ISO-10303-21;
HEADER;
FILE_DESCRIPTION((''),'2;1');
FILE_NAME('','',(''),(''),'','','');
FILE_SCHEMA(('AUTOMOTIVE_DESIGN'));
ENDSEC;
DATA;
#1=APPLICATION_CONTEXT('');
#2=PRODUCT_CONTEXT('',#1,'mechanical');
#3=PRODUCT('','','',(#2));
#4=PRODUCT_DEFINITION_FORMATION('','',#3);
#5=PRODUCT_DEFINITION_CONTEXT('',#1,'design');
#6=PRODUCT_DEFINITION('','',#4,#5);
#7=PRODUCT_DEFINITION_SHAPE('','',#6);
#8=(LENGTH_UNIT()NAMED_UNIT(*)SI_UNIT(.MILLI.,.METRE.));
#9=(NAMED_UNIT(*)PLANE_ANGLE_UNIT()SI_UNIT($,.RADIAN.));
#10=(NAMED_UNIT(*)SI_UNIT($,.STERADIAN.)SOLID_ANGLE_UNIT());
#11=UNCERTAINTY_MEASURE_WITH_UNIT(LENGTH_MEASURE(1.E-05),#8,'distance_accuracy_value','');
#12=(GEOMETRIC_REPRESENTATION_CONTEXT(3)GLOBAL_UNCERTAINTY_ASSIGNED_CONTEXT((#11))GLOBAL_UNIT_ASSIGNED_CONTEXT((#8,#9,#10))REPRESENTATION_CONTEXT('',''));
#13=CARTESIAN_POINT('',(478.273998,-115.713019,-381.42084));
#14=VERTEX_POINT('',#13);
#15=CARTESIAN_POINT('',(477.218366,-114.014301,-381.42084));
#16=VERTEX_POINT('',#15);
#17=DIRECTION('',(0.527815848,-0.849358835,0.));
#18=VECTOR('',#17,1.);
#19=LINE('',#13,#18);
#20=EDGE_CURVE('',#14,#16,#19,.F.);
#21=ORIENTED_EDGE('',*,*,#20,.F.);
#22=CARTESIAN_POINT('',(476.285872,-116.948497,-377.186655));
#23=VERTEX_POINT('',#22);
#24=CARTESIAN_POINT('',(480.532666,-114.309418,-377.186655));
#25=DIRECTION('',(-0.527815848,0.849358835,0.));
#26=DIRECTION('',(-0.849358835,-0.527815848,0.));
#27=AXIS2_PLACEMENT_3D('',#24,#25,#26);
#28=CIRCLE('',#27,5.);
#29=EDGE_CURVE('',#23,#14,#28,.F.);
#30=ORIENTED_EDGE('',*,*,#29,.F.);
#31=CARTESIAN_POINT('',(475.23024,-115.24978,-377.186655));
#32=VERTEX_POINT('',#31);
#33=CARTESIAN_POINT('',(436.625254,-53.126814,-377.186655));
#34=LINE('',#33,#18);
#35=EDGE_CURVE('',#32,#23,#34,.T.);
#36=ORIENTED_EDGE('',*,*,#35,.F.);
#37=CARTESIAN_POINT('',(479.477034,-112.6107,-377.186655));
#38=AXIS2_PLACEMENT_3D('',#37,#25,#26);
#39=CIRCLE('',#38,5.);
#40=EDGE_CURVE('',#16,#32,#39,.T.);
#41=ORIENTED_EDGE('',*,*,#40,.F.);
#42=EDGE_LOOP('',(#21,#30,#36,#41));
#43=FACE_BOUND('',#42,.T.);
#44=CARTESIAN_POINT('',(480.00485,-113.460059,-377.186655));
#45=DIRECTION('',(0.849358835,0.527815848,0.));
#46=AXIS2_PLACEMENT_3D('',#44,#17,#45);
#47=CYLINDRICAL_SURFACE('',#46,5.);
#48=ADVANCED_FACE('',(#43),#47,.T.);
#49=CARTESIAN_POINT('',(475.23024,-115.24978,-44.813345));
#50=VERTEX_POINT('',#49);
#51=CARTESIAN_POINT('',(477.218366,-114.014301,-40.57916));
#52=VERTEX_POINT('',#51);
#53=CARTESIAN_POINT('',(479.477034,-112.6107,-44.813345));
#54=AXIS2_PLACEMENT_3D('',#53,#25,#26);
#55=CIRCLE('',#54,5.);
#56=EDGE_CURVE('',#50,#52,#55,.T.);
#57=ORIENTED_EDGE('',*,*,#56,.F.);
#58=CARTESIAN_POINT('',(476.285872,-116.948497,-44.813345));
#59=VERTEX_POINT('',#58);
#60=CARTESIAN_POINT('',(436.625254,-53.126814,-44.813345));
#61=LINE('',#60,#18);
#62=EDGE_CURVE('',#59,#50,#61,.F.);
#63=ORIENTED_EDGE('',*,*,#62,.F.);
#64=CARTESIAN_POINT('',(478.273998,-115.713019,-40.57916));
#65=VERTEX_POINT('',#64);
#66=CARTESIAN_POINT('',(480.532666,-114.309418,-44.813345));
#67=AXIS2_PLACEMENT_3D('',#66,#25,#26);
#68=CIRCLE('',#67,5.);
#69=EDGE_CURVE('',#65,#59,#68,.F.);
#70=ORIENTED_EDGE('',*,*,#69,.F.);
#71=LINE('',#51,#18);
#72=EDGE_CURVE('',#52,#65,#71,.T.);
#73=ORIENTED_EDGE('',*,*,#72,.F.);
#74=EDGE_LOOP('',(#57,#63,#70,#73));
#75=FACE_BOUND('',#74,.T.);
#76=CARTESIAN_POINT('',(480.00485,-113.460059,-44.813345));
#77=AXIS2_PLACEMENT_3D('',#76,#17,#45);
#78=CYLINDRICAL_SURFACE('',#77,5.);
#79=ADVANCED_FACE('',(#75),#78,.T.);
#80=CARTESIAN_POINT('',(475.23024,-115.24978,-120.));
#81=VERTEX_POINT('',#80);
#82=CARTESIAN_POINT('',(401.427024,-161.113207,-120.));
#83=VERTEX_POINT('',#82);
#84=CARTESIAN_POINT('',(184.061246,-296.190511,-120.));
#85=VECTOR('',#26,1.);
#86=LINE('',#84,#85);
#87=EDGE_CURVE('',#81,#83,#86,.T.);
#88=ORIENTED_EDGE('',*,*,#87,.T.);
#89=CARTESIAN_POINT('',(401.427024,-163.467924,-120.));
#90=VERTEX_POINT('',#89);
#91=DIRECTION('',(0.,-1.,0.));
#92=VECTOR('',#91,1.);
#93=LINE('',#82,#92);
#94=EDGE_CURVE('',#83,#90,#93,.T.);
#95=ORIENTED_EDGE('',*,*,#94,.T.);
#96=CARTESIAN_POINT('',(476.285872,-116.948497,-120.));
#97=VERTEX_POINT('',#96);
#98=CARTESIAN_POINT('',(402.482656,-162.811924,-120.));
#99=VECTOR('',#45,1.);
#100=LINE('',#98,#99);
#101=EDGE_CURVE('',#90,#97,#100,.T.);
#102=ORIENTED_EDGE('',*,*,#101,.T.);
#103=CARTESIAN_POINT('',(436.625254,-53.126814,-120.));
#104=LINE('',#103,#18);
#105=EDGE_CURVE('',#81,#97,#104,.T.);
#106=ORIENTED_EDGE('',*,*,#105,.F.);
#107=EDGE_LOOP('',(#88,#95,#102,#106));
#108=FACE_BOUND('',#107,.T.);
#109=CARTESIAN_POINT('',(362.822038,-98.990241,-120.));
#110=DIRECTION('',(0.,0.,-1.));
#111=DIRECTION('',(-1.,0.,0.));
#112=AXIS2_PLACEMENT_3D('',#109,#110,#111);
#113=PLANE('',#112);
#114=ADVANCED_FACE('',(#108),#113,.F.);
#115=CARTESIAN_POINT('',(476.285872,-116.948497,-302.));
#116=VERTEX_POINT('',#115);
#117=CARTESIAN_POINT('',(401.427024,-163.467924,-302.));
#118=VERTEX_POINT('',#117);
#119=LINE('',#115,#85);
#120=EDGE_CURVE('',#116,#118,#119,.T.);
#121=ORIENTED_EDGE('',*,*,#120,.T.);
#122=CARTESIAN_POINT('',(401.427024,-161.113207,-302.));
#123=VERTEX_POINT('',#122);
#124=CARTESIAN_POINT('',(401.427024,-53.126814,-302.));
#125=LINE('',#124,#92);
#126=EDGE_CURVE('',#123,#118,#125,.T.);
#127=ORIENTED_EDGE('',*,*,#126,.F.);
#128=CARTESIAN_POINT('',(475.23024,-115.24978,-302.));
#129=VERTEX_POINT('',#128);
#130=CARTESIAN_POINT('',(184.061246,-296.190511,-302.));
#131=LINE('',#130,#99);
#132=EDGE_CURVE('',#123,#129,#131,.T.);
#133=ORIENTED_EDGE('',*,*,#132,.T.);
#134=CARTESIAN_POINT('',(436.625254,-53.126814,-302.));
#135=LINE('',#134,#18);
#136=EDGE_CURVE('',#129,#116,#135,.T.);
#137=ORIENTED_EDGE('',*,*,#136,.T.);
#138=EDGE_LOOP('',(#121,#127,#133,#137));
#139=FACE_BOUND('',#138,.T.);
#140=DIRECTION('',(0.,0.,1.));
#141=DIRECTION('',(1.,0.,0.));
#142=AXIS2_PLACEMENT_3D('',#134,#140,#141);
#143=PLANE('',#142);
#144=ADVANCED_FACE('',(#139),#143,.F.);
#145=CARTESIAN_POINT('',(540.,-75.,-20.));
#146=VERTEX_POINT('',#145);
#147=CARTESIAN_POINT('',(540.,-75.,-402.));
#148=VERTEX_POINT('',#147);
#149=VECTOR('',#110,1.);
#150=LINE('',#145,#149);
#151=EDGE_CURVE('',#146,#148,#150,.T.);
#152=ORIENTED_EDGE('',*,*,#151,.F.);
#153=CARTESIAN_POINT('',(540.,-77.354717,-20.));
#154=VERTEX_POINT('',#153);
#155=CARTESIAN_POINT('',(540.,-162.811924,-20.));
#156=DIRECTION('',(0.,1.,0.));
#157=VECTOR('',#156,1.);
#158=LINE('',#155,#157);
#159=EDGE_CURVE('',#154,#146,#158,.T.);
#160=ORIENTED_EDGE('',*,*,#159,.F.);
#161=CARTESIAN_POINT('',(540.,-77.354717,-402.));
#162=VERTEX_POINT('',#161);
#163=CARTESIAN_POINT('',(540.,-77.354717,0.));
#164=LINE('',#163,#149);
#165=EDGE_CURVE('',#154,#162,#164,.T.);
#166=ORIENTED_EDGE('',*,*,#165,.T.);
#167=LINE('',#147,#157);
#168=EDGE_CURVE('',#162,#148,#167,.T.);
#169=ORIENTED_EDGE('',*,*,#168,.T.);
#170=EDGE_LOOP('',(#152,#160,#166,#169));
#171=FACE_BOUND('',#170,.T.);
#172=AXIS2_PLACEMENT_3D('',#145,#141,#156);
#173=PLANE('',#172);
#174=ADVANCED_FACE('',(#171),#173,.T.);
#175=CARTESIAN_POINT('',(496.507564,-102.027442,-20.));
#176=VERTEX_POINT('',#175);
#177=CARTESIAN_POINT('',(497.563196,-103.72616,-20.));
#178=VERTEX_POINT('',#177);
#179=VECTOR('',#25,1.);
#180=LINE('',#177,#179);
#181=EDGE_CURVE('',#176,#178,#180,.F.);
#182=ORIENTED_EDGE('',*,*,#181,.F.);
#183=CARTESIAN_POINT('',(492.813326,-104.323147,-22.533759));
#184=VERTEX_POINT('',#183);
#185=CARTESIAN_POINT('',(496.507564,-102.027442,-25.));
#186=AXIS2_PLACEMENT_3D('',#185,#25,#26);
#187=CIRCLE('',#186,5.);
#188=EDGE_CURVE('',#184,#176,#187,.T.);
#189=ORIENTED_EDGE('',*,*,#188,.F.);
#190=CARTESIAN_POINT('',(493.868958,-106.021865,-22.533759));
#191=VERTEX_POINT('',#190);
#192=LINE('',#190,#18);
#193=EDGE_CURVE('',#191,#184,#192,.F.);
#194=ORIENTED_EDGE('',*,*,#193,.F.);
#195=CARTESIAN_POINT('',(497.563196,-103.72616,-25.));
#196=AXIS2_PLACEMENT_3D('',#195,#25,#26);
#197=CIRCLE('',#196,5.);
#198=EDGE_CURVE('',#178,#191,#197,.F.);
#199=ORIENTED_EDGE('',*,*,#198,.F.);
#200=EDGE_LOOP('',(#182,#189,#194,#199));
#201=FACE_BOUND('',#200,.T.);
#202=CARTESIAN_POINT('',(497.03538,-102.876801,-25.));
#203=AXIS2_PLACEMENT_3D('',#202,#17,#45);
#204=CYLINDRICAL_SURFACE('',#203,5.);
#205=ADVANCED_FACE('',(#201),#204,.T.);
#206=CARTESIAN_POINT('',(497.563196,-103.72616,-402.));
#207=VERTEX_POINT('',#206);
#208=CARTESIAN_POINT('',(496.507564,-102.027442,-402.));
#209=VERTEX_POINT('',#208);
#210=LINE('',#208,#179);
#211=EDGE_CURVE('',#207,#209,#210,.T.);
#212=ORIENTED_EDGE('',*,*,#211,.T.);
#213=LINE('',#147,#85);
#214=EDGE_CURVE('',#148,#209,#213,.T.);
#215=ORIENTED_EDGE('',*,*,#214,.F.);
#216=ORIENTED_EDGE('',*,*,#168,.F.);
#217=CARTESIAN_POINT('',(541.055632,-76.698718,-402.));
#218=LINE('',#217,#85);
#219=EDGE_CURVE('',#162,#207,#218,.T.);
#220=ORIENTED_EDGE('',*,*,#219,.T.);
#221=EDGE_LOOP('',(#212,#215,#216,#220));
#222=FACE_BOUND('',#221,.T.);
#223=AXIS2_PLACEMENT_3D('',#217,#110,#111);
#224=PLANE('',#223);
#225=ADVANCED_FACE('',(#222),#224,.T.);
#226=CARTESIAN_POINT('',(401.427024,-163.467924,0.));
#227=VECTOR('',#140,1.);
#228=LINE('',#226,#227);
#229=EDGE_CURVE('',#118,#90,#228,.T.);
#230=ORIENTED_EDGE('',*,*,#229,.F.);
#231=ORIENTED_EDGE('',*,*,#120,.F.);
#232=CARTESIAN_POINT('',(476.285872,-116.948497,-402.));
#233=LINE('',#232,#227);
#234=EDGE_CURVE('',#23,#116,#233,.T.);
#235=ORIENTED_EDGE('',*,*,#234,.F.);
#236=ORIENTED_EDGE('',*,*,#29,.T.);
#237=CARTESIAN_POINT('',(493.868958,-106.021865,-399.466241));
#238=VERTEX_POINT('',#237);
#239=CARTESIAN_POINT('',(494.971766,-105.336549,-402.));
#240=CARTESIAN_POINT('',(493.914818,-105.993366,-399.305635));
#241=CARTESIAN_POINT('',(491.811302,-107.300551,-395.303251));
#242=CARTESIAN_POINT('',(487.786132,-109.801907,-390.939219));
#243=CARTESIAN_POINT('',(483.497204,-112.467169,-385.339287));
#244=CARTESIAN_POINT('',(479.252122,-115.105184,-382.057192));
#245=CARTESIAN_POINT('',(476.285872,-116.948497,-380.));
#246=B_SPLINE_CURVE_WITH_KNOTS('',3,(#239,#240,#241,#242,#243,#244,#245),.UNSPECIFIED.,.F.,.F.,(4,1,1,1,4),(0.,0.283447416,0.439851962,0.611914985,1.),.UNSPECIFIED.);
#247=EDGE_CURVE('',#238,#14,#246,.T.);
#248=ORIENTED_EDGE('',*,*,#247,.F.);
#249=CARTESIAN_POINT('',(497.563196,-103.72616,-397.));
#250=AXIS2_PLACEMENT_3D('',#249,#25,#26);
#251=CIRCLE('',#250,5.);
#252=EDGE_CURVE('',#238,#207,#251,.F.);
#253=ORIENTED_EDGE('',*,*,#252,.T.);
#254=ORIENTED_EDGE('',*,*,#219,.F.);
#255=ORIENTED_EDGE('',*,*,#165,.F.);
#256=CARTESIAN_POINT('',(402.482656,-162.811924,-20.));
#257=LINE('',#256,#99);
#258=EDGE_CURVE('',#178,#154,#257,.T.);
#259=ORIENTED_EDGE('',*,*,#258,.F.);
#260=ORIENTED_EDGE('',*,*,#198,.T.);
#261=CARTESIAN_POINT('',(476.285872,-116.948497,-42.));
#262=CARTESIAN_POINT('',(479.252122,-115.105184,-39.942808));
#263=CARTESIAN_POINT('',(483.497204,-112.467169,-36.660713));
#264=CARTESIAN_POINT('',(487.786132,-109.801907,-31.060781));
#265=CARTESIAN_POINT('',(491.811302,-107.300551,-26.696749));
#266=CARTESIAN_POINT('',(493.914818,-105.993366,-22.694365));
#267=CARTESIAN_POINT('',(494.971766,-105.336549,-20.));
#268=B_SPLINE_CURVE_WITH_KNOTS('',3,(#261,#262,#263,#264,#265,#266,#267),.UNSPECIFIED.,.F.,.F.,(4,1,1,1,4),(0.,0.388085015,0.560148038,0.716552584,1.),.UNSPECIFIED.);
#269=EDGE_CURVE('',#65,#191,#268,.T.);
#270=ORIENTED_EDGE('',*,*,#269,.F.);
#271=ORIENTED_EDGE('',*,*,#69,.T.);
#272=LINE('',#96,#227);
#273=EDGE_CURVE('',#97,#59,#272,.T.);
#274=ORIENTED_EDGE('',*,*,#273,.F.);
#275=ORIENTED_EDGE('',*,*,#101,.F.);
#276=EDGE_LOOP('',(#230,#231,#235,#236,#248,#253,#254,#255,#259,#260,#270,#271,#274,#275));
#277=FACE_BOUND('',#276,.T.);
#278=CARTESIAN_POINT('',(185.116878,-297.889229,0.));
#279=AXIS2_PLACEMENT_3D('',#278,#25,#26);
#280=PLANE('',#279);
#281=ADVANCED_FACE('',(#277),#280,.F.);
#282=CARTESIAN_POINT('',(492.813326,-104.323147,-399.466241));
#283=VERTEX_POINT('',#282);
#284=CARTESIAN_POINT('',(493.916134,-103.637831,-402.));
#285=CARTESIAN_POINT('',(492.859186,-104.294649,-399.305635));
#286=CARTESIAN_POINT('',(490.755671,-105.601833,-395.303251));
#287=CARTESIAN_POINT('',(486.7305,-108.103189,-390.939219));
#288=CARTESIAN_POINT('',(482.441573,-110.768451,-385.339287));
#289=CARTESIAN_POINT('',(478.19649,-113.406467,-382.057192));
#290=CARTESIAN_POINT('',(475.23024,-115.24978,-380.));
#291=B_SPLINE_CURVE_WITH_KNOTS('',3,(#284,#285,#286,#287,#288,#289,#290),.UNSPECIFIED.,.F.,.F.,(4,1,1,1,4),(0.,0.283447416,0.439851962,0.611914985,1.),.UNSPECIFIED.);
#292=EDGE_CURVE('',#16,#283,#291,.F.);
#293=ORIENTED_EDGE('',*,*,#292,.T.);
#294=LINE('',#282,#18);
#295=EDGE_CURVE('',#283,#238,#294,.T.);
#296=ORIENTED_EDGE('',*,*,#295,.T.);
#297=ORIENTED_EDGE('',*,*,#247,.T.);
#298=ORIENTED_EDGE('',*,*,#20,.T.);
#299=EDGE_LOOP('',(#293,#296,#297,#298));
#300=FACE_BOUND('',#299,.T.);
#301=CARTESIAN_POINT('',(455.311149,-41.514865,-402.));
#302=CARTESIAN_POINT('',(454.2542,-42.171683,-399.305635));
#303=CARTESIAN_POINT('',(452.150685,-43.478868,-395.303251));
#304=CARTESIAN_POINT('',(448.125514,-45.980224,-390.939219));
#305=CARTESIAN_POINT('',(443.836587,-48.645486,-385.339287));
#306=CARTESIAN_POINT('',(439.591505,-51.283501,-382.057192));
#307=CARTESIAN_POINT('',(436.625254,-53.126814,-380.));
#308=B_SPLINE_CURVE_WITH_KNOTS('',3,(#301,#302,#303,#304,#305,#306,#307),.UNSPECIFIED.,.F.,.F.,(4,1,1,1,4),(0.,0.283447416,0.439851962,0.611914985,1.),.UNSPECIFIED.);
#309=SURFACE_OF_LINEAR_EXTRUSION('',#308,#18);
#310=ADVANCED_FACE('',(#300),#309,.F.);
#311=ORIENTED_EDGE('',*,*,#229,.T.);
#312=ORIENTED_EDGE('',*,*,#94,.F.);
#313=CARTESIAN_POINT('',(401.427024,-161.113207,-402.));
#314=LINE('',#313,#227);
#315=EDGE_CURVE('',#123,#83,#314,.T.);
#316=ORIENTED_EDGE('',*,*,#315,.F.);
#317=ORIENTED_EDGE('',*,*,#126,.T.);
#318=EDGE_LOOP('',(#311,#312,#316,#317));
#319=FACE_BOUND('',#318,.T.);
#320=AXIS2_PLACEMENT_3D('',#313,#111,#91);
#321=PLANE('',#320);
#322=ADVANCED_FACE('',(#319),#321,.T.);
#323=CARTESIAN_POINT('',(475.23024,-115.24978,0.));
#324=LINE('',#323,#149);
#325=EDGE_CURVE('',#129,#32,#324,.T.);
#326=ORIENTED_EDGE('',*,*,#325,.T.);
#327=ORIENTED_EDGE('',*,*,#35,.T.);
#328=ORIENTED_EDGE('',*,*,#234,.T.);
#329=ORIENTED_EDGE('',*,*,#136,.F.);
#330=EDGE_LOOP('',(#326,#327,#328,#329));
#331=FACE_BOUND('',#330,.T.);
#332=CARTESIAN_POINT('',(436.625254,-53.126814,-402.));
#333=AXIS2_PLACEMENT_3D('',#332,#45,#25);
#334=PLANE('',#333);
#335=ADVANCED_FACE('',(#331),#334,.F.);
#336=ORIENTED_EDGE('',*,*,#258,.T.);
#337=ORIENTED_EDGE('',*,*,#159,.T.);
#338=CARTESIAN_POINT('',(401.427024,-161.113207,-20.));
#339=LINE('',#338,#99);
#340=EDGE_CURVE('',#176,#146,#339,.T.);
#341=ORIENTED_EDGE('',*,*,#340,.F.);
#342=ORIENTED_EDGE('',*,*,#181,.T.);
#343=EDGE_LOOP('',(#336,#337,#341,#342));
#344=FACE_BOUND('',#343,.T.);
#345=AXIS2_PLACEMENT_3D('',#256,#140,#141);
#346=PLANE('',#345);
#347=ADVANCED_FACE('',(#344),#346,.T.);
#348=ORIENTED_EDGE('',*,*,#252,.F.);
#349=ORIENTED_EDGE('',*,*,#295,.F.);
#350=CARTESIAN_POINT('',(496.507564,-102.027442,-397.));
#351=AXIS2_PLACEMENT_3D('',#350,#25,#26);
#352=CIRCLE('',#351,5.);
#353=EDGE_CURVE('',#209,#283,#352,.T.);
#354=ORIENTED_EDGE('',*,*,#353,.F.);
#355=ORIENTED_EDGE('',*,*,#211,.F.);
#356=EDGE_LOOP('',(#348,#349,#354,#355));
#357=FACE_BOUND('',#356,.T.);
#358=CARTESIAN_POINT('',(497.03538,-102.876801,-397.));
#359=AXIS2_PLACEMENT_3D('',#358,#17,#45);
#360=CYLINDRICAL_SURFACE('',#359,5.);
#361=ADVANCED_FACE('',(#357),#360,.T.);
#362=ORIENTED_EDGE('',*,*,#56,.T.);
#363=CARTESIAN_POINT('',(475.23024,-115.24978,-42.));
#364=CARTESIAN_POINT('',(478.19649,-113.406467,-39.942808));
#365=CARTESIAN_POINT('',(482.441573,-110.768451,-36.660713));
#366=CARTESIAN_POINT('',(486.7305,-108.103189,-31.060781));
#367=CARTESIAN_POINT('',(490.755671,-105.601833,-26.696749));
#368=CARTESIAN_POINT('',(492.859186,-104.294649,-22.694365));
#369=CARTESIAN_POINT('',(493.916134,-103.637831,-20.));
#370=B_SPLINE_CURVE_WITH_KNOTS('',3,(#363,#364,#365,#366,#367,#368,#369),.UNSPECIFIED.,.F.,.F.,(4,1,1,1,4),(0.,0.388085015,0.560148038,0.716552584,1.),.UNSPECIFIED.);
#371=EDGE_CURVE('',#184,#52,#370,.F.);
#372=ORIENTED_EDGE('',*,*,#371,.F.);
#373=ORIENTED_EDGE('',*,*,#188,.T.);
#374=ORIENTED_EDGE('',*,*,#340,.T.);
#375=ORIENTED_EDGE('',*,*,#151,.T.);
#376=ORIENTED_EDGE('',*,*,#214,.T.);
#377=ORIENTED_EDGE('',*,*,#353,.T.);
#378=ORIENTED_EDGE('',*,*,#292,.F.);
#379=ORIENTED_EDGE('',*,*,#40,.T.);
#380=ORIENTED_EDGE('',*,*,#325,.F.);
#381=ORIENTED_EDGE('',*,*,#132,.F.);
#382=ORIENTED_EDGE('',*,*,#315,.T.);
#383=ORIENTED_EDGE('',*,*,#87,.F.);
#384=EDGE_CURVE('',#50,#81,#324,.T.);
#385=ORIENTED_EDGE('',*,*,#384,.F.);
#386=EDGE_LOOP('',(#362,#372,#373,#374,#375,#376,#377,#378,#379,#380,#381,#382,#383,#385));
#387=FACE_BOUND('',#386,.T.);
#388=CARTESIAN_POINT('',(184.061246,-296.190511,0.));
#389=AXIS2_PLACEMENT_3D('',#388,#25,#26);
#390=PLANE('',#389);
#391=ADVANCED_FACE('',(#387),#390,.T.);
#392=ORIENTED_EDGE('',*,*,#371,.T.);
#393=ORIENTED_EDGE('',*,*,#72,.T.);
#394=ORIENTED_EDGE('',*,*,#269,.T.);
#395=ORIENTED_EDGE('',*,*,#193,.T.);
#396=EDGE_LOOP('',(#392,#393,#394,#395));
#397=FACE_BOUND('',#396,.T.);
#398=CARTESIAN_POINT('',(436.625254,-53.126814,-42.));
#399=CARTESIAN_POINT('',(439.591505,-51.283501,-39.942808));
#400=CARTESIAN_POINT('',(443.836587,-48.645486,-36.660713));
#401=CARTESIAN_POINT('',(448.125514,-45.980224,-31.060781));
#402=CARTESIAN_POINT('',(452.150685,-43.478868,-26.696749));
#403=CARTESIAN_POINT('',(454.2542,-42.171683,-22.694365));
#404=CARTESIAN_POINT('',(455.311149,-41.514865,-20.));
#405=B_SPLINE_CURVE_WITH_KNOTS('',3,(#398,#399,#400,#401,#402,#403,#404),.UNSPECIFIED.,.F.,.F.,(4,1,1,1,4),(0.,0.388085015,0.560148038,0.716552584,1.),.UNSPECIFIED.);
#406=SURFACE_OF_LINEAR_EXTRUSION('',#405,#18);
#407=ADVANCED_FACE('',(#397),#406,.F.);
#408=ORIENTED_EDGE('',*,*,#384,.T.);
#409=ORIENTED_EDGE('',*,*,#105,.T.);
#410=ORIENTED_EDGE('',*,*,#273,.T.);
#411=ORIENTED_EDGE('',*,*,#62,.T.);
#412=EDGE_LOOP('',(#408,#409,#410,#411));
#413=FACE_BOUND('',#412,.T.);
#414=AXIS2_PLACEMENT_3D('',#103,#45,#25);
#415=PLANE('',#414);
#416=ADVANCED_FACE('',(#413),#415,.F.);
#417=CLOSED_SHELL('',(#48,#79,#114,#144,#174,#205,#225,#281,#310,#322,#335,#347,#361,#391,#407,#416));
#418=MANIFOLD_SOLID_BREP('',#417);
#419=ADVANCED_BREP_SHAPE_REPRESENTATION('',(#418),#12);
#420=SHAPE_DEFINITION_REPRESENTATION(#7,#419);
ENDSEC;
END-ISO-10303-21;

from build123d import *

# Parameters (mm, degrees)
SKETCH1_W           = 163.150096709
SKETCH1_H           = 382
BOSS_EXTRUDE1_DEPTH = 2
SKETCH2_W           = 86.892857143
SKETCH2_H           = 128
CUT_EXTRUDE1_DEPTH  = 582.357037259
SKETCH3_W           = 86.892857143
SKETCH3_H           = 100
CUT_EXTRUDE2_DEPTH  = 582.357037259
DRAFT1_ANGLE        = -31.857998891
DRAFT2_ANGLE        = 31.857998891
CUT_EXTRUDE3_DEPTH  = 581.711321285
FILLET1_R           = 5


with BuildPart() as part:
    # Sketch1 → Boss-Extrude1 (new body)
    with BuildSketch(Plane(origin=(184.061246273, -296.190511244, 0), x_dir=(-0.8493588352433418, -0.5278158476155048, 0), z_dir=(-0.5278158476155048, 0.8493588352433418, 0))):
        with Locations((-337.492534105, -211)):
            Rectangle(SKETCH1_W, SKETCH1_H)
    extrude(amount=-BOSS_EXTRUDE1_DEPTH)

    # Sketch2 → Cut-Extrude1 (cut, through all)
    with BuildSketch(Plane(origin=(185.116877969, -297.889228915, 0), x_dir=(0.8493588352433415, 0.5278158476155054, 0), z_dir=(0.5278158476155053, -0.8493588352433414, 0))):
        with Locations((299.363914323, -56)):
            Rectangle(SKETCH2_W, SKETCH2_H)
    extrude(amount=-CUT_EXTRUDE1_DEPTH, mode=Mode.SUBTRACT)

    # Sketch3 → Cut-Extrude2 (cut, through all)
    with BuildSketch(Plane(origin=(185.116877969, -297.889228915, 0), x_dir=(0.8493588352433415, 0.5278158476155054, 0), z_dir=(0.5278158476155053, -0.8493588352433414, 0))):
        with Locations((299.363914323, -352)):
            Rectangle(SKETCH3_W, SKETCH3_H)
    extrude(amount=-CUT_EXTRUDE2_DEPTH, mode=Mode.SUBTRACT)

    # Draft1
    draft1_faces = [part.faces().sort_by_distance(p)[0] for p in [
        (540.527815848, -75.849358835, -211),
    ]]
    draft(draft1_faces, Plane(origin=(184.061246273, -296.190511244, 0), x_dir=(0.8493588352433418, 0.5278158476155048, 0), z_dir=(-0.5278158476155048, 0.8493588352433418, 0)), DRAFT1_ANGLE)

    # Draft2
    draft2_faces = [part.faces().sort_by_distance(p)[0] for p in [
        (401.954839737, -161.962565418, -211),
    ]]
    draft(draft2_faces, Plane(origin=(184.061246273, -296.190511244, 0), x_dir=(0.8493588352433418, 0.5278158476155048, 0), z_dir=(-0.5278158476155048, 0.8493588352433418, 0)), DRAFT2_ANGLE)

    # Sketch4 → Cut-Extrude3 (cut, through all)
    with BuildSketch(Plane(origin=(185.116877969, -297.889228915, 0), x_dir=(0.8493588352433418, 0.5278158476155048, 0), z_dir=(0.5278158476155048, -0.8493588352433418, 0))):
        with BuildLine():
            Line((342.810342894, -20), (364.810342894, -20))
            add(Edge.make_bspline(
                [(342.810342894, -42), (346.302683554, -39.942808378), (351.300668251, -36.660712559), (356.350274178, -31.060781412), (361.089343651, -26.696748792), (363.56593564, -22.694365369), (364.810342894, -20)],
                knots=[0, 0, 0, 0, 0.388085015, 0.560148038, 0.716552584, 1, 1, 1, 1], degree=3))
            Line((342.810342894, -42), (342.810342894, -20))
        make_face()
        with BuildLine():
            Line((342.810342894, -380), (342.810342894, -402))
            Line((342.810342894, -402), (364.810342894, -402))
            add(Edge.make_bspline(
                [(342.810342894, -380), (346.302683554, -382.057191622), (351.300668251, -385.339287441), (356.350274178, -390.939218588), (361.089343651, -395.303251208), (363.56593564, -399.305634631), (364.810342894, -402)],
                knots=[0, 0, 0, 0, 0.388085015, 0.560148038, 0.716552584, 1, 1, 1, 1], degree=3))
        make_face()
    extrude(amount=-CUT_EXTRUDE3_DEPTH, mode=Mode.SUBTRACT)

    # Fillet1
    fillet1_edges = [part.edges().sort_by_distance(p)[0] for p in [
        (494.443950046, -104.487189726, -20),
        (475.758055671, -116.099138374, -42),
        (494.443950046, -104.487189726, -402),
        (475.758055671, -116.099138374, -380),
    ]]
    fillet(fillet1_edges, radius=FILLET1_R)


solid = part.part
